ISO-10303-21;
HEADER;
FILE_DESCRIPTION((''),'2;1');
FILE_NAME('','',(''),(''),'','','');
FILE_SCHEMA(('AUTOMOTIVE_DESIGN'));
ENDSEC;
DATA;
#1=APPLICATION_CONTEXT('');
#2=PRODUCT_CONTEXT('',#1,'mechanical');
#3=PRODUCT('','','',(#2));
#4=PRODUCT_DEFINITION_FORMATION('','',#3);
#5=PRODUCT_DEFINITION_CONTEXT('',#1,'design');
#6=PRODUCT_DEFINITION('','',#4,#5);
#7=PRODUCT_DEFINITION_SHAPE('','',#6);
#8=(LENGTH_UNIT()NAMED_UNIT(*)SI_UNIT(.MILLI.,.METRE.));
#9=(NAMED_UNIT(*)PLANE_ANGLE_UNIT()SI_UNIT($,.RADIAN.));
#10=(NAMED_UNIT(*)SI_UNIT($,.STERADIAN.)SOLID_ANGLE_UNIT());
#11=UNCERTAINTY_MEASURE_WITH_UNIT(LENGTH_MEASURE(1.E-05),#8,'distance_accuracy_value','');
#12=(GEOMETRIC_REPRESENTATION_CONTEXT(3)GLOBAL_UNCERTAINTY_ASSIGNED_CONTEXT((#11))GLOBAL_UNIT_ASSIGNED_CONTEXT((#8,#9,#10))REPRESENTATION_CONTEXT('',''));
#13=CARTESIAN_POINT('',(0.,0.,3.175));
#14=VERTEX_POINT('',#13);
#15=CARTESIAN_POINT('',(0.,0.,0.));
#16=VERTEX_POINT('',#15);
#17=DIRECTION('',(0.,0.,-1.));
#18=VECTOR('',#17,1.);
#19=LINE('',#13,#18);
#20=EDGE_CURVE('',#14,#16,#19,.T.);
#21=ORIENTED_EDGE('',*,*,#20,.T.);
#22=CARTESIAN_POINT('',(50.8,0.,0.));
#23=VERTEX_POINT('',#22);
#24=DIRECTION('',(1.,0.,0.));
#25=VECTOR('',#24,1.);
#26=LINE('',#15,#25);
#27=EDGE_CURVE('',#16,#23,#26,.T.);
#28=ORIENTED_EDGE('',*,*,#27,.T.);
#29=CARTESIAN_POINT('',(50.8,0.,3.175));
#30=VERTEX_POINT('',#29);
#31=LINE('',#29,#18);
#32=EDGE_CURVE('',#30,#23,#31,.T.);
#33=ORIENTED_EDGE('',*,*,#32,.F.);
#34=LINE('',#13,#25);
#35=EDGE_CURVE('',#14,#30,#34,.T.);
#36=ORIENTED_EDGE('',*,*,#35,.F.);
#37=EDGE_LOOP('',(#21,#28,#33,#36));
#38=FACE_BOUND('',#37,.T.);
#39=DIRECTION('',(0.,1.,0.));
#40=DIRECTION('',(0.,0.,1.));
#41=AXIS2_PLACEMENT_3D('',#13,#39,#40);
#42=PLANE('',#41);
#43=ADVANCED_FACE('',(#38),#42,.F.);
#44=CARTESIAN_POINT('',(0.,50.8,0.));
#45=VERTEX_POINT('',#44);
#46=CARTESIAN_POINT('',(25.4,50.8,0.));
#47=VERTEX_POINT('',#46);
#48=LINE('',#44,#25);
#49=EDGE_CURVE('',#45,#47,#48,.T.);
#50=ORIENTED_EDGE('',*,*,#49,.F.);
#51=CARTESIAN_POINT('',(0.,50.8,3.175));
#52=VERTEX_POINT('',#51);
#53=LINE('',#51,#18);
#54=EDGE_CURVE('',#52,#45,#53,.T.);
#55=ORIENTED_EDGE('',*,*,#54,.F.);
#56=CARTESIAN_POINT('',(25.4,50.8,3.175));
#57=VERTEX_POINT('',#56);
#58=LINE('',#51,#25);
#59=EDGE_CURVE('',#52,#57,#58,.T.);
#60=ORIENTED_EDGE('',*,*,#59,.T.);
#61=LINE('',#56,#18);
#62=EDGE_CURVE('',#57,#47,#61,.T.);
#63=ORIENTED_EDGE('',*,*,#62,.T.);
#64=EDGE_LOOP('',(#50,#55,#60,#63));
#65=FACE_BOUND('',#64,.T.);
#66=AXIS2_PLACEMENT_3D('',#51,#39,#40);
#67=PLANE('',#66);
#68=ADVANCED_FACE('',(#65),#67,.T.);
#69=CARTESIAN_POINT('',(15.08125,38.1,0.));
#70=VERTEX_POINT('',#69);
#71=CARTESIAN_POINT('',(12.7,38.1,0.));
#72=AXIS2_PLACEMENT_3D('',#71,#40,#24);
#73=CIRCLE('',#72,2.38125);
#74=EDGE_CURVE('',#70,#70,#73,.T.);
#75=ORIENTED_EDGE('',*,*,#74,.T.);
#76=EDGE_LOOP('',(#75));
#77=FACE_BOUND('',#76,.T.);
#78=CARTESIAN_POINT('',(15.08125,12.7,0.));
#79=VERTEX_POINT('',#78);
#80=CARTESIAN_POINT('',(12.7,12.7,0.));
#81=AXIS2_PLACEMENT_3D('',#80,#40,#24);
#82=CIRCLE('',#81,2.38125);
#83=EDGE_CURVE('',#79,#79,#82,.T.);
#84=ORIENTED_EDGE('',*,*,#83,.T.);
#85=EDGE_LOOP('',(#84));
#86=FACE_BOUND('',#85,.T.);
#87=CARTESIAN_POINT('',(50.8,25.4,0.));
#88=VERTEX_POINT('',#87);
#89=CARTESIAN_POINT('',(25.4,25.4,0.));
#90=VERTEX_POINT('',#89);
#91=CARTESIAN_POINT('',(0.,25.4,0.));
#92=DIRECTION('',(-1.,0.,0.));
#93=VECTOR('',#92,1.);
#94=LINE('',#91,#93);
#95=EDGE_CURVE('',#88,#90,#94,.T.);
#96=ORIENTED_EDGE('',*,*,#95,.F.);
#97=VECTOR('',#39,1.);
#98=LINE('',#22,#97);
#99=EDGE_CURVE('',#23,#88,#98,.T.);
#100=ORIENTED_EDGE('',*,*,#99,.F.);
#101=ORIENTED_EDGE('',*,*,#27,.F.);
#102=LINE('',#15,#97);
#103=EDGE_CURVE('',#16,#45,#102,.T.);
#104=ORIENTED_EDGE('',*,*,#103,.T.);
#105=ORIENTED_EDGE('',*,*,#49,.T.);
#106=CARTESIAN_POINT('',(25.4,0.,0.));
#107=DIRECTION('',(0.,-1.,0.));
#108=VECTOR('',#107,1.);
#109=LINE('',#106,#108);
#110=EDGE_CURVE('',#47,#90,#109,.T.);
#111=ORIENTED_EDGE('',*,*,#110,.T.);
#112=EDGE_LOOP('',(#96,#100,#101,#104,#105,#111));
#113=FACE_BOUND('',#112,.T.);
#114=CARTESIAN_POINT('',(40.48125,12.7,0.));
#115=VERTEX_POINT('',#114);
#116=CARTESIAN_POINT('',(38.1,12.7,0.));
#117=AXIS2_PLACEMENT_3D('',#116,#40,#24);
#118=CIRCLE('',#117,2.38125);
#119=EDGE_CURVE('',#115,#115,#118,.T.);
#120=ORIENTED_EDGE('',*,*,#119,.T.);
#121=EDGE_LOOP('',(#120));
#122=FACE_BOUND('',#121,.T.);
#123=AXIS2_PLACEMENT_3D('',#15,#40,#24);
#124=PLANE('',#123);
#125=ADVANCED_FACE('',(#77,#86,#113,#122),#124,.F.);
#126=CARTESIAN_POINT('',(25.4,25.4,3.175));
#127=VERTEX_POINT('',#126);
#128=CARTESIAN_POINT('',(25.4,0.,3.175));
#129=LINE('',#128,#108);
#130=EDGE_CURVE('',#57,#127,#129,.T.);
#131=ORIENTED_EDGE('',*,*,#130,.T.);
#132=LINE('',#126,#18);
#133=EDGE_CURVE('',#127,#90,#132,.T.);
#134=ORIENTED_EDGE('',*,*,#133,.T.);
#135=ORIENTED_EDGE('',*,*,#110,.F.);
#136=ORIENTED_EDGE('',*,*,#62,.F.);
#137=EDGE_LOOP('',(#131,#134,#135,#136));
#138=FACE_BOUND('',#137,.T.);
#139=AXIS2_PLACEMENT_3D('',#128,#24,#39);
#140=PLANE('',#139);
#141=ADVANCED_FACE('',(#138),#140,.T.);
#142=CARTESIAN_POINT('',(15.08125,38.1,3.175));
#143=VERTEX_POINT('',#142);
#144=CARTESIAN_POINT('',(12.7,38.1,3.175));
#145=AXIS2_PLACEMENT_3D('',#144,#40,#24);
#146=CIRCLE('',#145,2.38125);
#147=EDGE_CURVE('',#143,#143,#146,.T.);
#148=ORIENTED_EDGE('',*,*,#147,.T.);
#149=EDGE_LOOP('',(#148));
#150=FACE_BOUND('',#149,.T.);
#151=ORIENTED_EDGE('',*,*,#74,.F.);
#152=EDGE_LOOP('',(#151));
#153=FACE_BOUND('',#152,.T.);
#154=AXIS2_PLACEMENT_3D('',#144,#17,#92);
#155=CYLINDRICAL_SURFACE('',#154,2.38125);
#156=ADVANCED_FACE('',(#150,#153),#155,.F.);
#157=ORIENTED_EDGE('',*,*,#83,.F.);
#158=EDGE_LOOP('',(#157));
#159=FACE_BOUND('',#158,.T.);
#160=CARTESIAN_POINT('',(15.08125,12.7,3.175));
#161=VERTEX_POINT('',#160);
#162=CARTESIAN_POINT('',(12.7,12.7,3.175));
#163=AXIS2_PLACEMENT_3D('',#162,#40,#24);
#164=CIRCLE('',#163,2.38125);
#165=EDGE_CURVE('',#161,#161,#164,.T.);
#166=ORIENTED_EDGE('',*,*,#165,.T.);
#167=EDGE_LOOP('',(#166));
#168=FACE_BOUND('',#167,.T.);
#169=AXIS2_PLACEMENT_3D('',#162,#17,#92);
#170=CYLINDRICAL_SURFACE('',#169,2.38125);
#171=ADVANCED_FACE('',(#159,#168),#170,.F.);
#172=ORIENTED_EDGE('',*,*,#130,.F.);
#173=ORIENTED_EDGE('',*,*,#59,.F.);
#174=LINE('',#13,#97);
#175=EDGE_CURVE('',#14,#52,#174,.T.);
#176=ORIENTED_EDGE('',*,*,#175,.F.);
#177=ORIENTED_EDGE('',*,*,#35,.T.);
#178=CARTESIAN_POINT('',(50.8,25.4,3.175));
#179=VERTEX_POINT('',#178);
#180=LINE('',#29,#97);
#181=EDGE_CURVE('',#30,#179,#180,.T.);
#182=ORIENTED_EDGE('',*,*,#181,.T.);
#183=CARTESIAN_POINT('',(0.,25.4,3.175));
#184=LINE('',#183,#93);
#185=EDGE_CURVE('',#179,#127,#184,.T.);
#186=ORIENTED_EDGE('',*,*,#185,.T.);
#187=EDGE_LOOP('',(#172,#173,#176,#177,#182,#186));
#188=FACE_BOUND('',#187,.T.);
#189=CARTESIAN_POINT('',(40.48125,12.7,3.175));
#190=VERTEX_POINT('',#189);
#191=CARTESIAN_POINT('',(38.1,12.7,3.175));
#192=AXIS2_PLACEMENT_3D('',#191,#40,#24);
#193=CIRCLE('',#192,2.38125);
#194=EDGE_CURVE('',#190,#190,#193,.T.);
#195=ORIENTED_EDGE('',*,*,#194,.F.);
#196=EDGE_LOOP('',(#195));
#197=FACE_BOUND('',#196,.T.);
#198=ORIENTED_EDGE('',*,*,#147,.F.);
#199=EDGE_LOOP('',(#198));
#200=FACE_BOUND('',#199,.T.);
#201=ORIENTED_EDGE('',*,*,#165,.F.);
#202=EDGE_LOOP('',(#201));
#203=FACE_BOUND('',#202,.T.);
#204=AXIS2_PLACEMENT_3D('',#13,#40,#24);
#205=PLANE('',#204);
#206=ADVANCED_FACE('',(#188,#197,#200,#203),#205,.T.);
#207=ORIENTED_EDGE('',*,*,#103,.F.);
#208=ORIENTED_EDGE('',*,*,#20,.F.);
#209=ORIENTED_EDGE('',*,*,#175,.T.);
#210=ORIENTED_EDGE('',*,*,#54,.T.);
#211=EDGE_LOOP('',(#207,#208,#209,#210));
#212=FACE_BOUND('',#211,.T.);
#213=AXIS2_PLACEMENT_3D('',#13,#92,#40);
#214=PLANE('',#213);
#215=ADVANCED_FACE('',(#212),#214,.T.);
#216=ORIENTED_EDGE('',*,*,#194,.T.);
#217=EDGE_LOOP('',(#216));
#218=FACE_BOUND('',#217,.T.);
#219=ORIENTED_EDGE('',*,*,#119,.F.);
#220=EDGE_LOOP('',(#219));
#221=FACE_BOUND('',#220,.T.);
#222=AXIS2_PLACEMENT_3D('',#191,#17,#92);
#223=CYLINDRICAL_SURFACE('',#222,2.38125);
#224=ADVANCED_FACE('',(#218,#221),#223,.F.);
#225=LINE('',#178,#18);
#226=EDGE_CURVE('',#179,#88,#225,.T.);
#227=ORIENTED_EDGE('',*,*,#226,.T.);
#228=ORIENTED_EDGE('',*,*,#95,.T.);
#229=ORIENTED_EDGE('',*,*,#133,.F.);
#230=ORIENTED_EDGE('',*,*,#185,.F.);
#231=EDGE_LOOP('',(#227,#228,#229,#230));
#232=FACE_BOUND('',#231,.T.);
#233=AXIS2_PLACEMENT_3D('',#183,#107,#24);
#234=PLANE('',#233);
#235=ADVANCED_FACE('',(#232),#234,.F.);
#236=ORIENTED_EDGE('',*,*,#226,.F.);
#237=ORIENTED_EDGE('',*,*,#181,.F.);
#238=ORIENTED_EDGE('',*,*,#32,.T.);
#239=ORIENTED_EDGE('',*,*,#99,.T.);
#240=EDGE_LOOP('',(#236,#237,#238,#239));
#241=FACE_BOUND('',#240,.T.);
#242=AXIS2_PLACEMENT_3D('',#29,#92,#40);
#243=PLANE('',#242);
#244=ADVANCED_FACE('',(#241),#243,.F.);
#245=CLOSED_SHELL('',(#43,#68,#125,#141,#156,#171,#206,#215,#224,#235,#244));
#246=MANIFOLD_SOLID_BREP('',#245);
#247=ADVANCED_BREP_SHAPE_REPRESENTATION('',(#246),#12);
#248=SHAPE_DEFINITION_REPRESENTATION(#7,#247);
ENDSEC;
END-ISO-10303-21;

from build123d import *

# Parameters (mm, degrees)
SKETCH1_R           = 2.38125
BOSS_EXTRUDE1_DEPTH = 3.175


with BuildPart() as part:
    # Sketch1 → Boss-Extrude1 (new body)
    with BuildSketch(Plane.XY):
        Polygon((0, 50.8), (0, 0), (50.8, 0), (50.8, 25.4), (25.4, 25.4), (25.4, 50.8), align=None)
        with Locations((12.7, 12.7)):
            Circle(SKETCH1_R, mode=Mode.SUBTRACT)
        with Locations((38.1, 12.7)):
            Circle(SKETCH1_R, mode=Mode.SUBTRACT)
        with Locations((12.7, 38.1)):
            Circle(SKETCH1_R, mode=Mode.SUBTRACT)
    extrude(amount=BOSS_EXTRUDE1_DEPTH)


solid = part.part
